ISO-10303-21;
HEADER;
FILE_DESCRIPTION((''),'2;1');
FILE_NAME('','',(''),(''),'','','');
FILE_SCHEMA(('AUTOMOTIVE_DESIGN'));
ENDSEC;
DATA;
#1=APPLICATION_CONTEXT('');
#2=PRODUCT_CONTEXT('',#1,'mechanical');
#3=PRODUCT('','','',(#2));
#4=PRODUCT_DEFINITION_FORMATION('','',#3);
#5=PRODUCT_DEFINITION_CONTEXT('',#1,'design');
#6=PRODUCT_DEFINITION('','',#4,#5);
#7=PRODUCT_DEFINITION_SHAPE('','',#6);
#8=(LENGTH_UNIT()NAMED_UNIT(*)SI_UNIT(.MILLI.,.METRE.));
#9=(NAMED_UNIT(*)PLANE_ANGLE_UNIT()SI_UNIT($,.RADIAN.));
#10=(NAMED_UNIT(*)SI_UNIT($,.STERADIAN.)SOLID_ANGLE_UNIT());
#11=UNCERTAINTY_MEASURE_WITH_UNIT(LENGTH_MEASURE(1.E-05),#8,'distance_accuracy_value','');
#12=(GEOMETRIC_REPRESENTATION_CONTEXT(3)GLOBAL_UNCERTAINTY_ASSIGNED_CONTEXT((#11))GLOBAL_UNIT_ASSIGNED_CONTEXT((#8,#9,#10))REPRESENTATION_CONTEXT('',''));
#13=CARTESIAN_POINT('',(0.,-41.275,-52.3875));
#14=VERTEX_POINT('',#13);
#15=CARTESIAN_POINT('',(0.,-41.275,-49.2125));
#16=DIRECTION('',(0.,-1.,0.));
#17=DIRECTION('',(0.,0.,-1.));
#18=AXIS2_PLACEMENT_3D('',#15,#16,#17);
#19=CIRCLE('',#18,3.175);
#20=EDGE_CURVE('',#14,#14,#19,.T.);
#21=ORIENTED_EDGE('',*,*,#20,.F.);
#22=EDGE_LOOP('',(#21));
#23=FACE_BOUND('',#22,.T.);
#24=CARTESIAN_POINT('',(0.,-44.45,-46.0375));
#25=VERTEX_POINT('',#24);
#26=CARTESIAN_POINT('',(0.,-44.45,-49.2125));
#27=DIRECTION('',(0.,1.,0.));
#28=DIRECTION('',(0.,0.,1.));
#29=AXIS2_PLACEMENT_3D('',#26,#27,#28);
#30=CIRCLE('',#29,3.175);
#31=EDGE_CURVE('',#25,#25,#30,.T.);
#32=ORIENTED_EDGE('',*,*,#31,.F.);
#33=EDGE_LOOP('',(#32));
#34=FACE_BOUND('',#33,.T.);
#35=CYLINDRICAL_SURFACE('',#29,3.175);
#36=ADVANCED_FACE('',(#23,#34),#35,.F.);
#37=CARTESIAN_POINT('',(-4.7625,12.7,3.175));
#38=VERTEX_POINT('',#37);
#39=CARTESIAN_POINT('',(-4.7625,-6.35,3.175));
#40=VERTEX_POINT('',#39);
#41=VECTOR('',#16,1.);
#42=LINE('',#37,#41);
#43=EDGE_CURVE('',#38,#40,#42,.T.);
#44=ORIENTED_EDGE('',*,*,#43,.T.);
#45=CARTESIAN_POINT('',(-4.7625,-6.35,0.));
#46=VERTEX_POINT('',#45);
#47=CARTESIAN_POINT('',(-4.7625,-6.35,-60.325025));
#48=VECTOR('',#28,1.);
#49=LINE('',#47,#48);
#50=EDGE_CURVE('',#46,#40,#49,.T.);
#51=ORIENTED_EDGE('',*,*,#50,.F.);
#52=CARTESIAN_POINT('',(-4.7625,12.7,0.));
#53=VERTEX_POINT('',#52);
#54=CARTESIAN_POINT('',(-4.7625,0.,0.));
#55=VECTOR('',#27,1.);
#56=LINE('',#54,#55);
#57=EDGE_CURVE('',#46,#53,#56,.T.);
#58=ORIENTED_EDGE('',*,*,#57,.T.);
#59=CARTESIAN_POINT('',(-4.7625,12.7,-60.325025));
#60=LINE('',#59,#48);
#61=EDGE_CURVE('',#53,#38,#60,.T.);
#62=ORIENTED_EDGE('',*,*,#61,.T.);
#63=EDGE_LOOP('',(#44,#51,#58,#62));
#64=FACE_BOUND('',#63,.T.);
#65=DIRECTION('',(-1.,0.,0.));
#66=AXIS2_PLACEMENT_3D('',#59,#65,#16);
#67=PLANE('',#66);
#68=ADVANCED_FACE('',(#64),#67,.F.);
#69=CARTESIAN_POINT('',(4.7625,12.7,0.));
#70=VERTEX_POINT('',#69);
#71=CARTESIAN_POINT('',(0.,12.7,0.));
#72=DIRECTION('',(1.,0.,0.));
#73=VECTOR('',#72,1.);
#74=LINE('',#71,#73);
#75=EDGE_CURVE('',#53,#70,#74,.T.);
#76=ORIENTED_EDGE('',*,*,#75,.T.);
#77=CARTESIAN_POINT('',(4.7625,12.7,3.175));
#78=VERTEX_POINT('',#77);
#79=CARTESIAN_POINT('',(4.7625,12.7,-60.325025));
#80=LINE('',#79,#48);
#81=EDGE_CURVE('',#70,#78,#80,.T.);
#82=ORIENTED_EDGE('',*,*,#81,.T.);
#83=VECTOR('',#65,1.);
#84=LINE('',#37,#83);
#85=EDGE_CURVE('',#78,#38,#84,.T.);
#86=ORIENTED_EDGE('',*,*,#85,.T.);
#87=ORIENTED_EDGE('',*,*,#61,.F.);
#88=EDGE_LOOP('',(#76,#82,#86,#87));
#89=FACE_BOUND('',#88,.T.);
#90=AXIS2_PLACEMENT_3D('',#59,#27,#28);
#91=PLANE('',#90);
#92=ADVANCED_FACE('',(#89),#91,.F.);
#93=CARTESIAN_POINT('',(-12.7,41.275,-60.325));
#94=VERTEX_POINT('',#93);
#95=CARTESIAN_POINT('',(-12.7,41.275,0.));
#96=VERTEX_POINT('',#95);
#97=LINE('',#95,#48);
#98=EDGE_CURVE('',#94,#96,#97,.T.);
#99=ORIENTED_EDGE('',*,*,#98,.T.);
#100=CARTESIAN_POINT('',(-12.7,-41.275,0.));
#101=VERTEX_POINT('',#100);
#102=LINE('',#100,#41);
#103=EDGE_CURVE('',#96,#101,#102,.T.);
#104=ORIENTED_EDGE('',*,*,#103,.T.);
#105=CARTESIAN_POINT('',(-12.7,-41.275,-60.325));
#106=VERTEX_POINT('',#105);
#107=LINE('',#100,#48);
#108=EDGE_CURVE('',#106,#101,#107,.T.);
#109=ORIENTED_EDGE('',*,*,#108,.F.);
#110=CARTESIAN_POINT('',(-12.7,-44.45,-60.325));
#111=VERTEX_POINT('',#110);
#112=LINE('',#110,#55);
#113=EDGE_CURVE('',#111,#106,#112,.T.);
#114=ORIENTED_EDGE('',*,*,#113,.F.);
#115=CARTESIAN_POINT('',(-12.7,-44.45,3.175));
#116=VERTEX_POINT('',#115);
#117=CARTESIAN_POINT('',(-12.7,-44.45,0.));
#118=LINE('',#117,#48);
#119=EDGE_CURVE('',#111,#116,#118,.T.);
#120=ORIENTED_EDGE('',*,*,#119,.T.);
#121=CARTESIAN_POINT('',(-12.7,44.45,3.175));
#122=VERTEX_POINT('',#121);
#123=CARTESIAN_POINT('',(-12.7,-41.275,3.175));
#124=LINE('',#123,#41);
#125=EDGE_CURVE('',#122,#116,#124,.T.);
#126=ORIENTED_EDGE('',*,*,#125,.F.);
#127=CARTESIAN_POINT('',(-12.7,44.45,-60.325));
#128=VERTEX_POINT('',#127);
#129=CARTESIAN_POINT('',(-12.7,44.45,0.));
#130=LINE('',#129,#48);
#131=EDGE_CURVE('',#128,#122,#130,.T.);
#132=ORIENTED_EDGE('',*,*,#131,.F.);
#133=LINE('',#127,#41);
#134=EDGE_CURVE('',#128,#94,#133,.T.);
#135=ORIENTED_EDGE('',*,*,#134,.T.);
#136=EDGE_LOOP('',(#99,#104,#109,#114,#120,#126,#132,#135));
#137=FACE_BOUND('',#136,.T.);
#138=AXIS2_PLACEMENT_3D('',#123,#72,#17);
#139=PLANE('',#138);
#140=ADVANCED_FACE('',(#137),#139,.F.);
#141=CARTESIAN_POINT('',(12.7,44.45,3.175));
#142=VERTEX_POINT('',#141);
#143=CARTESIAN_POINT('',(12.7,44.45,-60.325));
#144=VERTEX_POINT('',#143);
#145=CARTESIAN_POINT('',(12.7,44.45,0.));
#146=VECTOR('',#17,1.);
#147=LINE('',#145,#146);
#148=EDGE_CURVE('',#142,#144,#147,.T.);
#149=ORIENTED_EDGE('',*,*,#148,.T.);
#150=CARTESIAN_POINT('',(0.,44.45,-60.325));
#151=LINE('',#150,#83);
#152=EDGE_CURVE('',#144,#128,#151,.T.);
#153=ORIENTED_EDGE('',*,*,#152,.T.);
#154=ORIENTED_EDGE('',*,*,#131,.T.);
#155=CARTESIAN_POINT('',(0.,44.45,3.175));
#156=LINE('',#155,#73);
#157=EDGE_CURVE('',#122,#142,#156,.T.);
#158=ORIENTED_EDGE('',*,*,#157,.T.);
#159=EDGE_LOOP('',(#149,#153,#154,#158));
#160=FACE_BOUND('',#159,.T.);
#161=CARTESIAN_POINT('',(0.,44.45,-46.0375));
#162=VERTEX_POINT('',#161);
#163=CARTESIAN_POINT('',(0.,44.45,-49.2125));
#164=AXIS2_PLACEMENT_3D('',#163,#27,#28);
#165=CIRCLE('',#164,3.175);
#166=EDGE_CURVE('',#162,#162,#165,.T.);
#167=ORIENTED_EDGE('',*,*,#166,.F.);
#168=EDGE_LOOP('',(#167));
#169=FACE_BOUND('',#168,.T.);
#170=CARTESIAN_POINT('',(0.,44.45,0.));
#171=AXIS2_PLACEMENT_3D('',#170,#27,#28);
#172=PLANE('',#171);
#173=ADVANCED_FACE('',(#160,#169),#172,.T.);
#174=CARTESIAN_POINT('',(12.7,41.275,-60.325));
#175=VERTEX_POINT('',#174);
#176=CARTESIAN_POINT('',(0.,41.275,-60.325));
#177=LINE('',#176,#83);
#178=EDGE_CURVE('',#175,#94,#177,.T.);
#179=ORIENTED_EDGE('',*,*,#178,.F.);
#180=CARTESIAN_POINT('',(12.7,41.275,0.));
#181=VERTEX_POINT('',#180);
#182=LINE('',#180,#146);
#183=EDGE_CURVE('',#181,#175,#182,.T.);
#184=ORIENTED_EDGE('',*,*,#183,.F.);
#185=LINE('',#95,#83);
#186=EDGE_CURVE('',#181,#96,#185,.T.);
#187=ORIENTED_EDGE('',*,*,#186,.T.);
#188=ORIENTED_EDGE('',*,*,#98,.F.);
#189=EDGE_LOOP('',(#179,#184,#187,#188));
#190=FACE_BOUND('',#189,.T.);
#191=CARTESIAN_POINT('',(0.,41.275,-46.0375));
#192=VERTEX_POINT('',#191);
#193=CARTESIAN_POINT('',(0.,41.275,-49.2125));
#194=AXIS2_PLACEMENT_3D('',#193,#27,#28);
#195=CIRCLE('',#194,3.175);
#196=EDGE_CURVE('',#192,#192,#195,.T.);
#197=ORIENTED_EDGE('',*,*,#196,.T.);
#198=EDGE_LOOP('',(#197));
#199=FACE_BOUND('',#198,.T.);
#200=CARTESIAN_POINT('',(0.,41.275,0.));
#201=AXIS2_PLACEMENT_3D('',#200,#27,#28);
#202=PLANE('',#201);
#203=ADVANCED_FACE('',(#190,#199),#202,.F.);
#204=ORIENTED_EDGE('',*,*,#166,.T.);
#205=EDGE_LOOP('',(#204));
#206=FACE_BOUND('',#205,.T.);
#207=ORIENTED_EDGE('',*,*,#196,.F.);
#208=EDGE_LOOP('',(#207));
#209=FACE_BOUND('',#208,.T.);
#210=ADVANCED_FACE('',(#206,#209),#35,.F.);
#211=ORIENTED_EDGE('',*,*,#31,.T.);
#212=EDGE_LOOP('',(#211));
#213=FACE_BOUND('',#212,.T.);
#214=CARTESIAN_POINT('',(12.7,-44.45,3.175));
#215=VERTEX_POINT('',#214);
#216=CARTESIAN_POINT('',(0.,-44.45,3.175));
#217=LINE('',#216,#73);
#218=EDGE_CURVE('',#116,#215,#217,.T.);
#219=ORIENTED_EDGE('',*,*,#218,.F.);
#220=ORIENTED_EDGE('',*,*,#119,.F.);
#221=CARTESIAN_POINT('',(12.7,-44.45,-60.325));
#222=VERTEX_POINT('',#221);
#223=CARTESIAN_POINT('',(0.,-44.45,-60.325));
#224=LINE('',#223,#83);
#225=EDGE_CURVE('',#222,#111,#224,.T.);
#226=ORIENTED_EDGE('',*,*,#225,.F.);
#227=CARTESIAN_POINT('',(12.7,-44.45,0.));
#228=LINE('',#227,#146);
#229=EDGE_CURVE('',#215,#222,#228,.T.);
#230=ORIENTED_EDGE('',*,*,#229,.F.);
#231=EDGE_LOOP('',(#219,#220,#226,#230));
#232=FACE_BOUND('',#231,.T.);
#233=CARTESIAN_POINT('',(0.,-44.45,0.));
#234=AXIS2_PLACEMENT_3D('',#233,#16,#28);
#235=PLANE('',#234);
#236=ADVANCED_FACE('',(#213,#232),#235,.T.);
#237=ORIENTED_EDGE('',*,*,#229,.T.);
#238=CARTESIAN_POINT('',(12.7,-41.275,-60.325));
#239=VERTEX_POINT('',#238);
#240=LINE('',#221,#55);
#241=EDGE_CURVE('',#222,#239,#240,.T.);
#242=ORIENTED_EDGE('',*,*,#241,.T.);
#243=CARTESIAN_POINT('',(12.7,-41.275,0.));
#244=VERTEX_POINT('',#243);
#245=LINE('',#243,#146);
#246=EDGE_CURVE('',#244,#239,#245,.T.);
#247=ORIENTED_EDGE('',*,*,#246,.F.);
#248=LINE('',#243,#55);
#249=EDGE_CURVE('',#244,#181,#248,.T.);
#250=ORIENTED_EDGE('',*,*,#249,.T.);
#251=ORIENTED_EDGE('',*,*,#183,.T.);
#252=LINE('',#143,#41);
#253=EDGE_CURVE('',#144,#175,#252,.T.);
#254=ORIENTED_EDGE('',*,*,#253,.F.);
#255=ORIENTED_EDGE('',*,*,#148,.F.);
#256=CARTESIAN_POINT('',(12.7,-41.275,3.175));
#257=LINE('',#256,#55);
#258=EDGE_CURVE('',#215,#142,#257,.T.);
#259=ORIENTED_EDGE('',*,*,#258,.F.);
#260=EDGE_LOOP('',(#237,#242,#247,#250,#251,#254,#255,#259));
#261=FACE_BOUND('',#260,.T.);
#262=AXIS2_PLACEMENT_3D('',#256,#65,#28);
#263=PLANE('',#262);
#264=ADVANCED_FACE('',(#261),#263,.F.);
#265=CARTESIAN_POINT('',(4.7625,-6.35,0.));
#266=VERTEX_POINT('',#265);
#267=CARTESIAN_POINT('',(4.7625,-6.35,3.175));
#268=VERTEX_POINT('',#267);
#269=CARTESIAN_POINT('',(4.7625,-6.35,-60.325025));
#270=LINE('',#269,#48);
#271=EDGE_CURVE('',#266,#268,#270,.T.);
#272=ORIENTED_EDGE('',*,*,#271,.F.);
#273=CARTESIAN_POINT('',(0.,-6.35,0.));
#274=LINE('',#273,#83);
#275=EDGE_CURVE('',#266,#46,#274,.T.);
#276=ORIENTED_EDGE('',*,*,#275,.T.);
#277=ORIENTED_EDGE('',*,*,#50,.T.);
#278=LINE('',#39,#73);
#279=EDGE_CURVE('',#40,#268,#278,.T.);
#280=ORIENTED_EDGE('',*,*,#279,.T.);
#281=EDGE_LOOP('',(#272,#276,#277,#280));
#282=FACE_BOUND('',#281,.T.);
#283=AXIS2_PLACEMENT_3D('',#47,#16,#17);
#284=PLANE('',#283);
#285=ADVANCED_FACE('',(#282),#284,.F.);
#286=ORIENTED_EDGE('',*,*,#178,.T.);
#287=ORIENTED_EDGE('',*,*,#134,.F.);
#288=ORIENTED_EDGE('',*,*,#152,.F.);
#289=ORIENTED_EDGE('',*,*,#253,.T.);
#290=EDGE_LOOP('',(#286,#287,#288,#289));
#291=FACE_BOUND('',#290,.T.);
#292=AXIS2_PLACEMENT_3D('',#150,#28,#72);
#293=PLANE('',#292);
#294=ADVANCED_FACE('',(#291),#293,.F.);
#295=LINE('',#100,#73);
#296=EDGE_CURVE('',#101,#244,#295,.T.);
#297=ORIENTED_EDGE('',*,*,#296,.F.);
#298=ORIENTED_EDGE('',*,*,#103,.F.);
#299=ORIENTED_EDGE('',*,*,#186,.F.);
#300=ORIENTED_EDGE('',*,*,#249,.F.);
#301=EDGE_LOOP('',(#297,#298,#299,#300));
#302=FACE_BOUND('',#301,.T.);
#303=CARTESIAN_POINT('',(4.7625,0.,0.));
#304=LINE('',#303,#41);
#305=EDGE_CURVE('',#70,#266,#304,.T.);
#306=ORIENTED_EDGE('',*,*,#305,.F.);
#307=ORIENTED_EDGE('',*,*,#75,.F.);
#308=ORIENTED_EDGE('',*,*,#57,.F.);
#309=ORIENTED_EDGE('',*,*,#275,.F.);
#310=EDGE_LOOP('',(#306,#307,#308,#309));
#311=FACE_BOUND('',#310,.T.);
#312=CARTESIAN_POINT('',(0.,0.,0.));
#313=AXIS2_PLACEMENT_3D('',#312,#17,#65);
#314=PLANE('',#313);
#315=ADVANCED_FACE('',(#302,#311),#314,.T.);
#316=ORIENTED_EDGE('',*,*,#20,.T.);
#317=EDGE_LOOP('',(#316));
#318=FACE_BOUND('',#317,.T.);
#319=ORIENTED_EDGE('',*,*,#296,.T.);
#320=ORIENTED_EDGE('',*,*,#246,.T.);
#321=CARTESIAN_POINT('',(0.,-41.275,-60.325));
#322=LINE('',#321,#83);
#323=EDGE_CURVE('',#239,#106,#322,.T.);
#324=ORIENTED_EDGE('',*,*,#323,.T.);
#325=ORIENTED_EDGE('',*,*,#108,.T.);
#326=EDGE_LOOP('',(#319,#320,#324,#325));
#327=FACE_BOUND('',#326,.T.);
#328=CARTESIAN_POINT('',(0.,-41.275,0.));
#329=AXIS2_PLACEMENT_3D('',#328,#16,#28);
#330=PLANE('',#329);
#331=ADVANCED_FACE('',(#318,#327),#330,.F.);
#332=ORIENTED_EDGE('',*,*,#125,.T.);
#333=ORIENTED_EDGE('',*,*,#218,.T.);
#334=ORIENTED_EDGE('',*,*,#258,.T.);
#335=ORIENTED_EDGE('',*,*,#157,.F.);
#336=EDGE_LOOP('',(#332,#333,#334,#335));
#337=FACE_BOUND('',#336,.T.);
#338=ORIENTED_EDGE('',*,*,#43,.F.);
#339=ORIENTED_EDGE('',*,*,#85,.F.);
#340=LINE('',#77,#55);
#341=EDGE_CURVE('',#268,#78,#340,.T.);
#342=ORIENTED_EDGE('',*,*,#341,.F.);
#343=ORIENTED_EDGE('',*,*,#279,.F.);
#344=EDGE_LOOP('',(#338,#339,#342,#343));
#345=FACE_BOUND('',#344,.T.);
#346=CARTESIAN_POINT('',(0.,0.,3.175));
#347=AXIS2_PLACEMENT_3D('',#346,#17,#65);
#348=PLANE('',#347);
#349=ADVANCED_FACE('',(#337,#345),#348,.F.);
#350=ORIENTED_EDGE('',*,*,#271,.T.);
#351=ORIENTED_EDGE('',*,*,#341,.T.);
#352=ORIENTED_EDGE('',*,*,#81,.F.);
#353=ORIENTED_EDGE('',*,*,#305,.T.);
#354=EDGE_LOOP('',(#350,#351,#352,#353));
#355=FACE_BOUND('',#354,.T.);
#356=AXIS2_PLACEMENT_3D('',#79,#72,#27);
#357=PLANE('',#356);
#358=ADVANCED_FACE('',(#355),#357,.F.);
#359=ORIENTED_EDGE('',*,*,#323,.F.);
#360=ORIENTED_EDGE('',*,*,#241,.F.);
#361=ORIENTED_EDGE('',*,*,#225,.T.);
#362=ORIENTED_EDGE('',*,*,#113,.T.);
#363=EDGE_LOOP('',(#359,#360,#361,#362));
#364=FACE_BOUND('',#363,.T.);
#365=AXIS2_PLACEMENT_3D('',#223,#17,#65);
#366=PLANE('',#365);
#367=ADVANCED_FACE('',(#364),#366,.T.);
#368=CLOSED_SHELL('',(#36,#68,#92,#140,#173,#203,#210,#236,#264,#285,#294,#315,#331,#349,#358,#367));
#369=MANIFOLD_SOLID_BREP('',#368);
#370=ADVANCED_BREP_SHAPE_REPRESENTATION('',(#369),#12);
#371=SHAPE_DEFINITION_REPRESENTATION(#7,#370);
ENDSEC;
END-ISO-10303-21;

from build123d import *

# Parameters (mm, degrees)
SKETCH1_W           = 25.4
SKETCH1_H           = 82.55
BOSS_EXTRUDE1_DEPTH = 3.175
SKETCH2_W           = 25.4
SKETCH2_H           = 3.175
SKETCH2_H_2         = 60.325
BOSS_EXTRUDE2_DEPTH = 3.175
SKETCH5_W           = 9.525
SKETCH5_H           = 19.05
CUT_EXTRUDE2_DEPTH  = 64.5
SKETCH6_R           = 3.175
CUT_EXTRUDE3_DEPTH  = 89.9


with BuildPart() as part:
    # Sketch1 → Boss-Extrude1 (new body)
    with BuildSketch(Plane.XY):
        Rectangle(SKETCH1_W, SKETCH1_H)
    extrude(amount=BOSS_EXTRUDE1_DEPTH)

    # Sketch2 → Boss-Extrude2 (add)
    with BuildSketch(Plane(origin=(0, 41.275, 0), x_dir=(1, 0, 0), z_dir=(0, 1, 0))):
        with Locations((0, -1.5875)):
            Rectangle(SKETCH2_W, SKETCH2_H)
        with Locations((0, 30.1625)):
            Rectangle(SKETCH2_W, SKETCH2_H_2)
    boss_extrude2 = extrude(amount=BOSS_EXTRUDE2_DEPTH)

    # Sketch5 → Cut-Extrude2 (cut, through all)
    with BuildSketch(Plane.XY.offset(3.175)):
        with Locations((0, 3.175)):
            Rectangle(SKETCH5_W, SKETCH5_H)
    extrude(amount=-CUT_EXTRUDE2_DEPTH, mode=Mode.SUBTRACT)

    # Mirror1: Boss-Extrude2 across plane
    add(boss_extrude2.mirror(Plane.ZX))

    # Sketch6 → Cut-Extrude3 (cut, through all)
    with BuildSketch(Plane(origin=(0, 44.45, 0), x_dir=(1, 0, 0), z_dir=(0, 1, 0))):
        with Locations((0, 49.2125)):
            Circle(SKETCH6_R)
    extrude(amount=-CUT_EXTRUDE3_DEPTH, mode=Mode.SUBTRACT)


solid = part.part
